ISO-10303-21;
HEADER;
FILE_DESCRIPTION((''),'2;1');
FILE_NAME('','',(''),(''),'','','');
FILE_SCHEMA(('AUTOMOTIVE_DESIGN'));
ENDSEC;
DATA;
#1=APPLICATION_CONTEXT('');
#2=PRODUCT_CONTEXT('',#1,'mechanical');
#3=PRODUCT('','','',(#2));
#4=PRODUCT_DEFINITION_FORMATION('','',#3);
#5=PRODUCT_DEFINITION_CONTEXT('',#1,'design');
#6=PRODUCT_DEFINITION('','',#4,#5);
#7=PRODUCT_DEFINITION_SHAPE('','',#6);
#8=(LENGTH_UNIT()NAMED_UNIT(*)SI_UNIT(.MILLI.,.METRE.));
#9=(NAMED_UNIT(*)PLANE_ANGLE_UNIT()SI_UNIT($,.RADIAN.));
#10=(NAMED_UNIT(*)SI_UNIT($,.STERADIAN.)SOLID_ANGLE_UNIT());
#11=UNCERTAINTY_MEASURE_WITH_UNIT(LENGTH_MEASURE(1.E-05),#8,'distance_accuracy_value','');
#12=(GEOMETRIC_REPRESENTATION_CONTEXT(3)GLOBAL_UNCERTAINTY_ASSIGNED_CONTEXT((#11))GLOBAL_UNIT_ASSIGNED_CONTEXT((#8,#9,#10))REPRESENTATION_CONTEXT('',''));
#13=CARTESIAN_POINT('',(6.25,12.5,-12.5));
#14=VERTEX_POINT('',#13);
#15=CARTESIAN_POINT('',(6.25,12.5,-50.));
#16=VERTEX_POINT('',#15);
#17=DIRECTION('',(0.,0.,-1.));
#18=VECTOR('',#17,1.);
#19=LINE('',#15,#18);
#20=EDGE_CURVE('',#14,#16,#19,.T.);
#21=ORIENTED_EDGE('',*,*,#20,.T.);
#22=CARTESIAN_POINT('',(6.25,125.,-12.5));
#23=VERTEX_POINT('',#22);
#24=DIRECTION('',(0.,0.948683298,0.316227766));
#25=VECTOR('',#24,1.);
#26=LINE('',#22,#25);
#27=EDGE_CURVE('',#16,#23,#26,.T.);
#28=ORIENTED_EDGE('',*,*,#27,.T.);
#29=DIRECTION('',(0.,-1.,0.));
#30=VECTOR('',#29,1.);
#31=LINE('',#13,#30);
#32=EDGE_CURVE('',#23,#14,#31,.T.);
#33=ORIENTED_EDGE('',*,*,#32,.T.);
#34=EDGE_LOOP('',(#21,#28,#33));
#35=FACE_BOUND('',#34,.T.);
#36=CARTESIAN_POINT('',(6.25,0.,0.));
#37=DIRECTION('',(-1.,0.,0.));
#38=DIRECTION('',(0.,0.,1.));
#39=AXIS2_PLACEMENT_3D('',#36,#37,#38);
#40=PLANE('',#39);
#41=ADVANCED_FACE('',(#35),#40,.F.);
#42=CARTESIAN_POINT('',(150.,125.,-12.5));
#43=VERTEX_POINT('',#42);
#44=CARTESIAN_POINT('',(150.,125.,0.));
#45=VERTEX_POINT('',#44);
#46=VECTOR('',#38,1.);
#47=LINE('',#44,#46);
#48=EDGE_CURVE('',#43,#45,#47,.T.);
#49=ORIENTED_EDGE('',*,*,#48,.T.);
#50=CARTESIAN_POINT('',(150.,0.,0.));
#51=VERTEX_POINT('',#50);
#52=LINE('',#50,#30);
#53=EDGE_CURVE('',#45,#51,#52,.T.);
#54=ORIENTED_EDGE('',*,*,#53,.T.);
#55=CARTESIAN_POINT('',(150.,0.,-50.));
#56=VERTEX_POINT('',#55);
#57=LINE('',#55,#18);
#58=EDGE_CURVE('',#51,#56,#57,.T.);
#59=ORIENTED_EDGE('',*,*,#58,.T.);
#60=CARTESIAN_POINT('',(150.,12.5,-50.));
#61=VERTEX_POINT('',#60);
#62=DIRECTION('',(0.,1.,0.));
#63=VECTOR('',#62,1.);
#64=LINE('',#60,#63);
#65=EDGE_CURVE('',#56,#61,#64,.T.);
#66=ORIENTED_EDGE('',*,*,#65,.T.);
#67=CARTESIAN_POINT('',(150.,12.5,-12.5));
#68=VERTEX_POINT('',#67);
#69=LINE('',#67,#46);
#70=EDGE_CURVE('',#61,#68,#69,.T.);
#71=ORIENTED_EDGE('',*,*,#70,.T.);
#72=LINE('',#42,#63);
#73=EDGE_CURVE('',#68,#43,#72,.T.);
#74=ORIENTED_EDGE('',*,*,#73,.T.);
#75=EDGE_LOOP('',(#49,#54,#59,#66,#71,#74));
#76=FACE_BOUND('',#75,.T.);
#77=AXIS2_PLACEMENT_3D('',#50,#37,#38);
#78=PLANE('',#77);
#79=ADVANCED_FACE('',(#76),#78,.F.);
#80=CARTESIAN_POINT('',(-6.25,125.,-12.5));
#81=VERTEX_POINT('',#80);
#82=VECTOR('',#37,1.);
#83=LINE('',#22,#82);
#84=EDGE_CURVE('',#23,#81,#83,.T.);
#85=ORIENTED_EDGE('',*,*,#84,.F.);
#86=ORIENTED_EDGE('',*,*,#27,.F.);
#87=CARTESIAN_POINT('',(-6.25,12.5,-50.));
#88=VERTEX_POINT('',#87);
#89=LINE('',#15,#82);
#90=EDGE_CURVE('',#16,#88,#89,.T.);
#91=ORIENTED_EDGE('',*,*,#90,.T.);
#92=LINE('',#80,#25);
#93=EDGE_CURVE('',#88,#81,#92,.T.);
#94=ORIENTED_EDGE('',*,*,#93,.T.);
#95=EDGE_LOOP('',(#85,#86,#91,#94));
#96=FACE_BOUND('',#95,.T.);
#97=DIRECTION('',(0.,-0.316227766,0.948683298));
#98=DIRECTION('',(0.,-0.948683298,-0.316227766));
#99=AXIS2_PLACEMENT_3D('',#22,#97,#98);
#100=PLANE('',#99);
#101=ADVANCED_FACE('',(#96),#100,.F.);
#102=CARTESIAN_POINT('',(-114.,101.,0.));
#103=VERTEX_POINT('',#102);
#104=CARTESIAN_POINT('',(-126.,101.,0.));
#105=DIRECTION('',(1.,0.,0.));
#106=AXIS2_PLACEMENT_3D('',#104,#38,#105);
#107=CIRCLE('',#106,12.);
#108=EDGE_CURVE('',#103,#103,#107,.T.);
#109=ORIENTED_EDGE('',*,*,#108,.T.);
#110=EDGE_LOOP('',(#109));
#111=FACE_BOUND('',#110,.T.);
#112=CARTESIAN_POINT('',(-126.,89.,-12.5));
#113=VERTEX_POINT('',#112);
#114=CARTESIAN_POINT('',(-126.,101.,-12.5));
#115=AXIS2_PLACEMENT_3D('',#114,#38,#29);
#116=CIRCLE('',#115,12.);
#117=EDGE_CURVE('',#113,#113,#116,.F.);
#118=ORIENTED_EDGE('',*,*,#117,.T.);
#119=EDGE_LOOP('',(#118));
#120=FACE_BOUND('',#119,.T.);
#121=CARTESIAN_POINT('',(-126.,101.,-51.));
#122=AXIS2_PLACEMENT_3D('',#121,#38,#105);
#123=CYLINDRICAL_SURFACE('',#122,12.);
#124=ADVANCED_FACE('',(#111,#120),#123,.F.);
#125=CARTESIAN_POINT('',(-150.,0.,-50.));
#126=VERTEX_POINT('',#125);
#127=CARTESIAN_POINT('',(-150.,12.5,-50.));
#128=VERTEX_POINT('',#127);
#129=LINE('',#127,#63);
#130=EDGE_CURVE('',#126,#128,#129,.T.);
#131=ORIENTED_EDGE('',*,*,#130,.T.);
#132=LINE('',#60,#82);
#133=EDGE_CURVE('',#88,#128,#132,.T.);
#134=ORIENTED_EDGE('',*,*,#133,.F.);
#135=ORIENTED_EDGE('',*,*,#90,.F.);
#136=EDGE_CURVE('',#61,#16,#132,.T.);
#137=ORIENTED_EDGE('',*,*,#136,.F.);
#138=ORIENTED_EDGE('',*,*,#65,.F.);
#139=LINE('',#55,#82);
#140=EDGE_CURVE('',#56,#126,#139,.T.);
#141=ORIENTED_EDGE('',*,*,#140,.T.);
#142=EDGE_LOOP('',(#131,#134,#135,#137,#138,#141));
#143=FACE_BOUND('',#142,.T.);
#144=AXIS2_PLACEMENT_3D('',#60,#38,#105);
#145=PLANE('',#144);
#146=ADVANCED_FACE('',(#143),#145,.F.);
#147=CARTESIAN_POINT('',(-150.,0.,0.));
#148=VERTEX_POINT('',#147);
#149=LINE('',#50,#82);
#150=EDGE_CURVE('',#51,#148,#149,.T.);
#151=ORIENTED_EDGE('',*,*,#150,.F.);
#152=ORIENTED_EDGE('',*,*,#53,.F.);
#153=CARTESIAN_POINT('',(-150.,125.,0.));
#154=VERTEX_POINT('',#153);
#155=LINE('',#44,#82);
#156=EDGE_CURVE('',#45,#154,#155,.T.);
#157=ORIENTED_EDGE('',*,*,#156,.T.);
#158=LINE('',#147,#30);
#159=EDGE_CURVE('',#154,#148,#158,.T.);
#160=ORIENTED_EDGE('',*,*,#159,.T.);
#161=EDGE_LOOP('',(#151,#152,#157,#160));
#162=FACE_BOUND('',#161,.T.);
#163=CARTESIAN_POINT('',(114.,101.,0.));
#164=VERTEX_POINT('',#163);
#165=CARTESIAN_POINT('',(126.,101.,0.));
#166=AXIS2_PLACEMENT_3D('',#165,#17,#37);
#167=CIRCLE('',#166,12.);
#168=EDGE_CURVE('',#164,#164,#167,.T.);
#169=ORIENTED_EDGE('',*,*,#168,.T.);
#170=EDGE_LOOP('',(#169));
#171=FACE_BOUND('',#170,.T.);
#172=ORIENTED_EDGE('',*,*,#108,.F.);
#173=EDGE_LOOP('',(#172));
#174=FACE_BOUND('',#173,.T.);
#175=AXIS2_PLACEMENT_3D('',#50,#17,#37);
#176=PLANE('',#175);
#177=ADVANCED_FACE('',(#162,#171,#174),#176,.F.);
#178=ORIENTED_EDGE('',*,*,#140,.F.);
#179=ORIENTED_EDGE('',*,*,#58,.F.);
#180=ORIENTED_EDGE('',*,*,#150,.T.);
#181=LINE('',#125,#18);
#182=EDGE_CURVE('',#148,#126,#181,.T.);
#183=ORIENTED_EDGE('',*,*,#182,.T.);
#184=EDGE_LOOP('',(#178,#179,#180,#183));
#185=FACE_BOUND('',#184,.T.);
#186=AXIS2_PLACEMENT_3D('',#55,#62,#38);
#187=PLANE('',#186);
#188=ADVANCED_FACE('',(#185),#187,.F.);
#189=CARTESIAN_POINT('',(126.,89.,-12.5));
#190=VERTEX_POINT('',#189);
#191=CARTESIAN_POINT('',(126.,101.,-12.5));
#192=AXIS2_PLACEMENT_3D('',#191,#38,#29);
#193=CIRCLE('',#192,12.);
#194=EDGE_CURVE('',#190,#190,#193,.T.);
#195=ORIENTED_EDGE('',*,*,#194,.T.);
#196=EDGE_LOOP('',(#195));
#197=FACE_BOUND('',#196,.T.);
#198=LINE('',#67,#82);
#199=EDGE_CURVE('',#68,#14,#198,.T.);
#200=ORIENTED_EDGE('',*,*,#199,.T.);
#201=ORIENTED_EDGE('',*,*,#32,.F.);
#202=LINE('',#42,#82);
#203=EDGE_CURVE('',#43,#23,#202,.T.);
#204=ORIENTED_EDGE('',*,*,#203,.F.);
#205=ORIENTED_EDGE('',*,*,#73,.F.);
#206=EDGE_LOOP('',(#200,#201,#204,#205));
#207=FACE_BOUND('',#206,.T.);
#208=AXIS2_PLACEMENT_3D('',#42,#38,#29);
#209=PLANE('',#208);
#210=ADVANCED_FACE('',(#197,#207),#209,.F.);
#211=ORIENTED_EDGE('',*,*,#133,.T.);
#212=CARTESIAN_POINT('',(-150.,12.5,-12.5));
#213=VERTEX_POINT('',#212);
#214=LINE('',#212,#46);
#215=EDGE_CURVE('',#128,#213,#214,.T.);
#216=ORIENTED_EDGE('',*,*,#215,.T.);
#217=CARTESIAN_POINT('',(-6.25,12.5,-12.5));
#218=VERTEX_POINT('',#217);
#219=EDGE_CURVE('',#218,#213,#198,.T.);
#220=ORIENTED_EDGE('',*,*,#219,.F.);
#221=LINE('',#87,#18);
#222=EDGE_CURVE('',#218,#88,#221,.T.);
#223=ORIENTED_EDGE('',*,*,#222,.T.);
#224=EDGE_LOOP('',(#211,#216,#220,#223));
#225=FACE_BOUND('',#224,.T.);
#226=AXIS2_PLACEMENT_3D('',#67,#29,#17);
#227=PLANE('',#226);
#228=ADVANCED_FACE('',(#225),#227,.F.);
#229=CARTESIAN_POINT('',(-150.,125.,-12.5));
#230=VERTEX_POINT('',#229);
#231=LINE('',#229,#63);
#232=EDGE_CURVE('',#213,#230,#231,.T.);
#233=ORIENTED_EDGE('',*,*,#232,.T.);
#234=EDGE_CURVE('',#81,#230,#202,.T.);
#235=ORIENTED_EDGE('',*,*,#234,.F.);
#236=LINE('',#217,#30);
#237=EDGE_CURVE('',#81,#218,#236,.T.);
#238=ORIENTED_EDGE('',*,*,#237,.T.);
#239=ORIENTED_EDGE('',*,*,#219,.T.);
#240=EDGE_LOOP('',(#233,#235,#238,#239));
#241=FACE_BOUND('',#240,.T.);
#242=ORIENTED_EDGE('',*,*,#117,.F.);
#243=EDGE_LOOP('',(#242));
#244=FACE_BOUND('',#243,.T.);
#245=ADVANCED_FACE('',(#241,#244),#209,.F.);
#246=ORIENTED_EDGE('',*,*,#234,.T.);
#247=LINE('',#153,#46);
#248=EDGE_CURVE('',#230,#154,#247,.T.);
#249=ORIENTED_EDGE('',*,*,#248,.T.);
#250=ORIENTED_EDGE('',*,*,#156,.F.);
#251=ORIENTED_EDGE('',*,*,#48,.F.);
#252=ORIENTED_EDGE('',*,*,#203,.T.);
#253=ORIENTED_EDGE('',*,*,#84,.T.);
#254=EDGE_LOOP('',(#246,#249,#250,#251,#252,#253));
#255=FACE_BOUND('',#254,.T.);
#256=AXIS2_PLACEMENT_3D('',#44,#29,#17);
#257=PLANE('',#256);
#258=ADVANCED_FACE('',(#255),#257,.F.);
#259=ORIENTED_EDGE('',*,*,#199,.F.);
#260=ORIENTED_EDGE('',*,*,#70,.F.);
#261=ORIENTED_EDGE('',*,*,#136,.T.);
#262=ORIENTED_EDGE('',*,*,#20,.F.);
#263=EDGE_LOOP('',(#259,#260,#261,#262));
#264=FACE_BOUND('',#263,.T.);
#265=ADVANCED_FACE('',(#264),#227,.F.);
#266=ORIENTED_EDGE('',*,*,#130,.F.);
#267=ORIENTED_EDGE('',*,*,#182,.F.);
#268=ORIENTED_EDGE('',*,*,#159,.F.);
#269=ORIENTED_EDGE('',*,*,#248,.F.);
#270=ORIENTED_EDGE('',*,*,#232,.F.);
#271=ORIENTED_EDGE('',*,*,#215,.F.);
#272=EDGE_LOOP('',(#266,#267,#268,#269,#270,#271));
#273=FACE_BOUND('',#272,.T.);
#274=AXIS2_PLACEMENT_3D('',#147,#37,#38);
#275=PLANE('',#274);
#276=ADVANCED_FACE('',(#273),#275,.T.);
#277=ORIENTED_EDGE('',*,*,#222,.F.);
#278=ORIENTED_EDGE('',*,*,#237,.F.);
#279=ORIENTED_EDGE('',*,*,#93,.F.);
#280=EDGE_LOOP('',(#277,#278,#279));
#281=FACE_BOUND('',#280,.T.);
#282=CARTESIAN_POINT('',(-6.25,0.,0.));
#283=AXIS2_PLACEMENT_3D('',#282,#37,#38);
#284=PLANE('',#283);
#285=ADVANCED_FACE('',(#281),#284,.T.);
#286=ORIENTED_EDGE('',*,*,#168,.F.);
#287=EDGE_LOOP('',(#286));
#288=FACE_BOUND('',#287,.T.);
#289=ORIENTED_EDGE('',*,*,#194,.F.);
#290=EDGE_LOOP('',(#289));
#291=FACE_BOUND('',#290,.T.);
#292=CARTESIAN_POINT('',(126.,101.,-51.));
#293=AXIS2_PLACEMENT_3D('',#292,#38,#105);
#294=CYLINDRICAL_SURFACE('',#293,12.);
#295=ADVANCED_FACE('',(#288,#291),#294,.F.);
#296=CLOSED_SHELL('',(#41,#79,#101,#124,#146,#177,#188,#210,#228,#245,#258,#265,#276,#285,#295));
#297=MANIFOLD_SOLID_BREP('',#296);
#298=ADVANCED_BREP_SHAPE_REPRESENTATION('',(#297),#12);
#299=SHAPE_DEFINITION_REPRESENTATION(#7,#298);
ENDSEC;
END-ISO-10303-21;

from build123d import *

# Parameters (mm, degrees)
BOSS_EXTRUDE2_DEPTH = 0.15
BOSS_EXTRUDE3_DEPTH = 0.00625
CUT_EXTRUDE2_REACH  = 2.202
SKETCH7_R           = 0.012
SCALE1_SCALE        = 1000


with BuildPart() as part:
    # Sketch4 → Boss-Extrude2 (new, symmetric)
    with BuildSketch(Plane(origin=(0, 0, 0), x_dir=(0, 0, -1), z_dir=(1, 0, 0))):
        Polygon((0, 0), (0, 0.125), (0.0125, 0.125), (0.0125, 0.0125), (0.05, 0.0125), (0.05, 0), align=None)
    extrude(amount=BOSS_EXTRUDE2_DEPTH, both=True)

    # Sketch6 → Boss-Extrude3 (add, symmetric)
    with BuildSketch(Plane(origin=(0, 0, 0), x_dir=(0, 0, -1), z_dir=(1, 0, 0))):
        Polygon((0.0125, 0.0125), (0.0125, 0.125), (0.05, 0.0125), align=None)
    extrude(amount=BOSS_EXTRUDE3_DEPTH, both=True)

    # Sketch7 → Cut-Extrude2 (cut, up to next)
    with BuildSketch(Plane.XY, mode=Mode.PRIVATE) as cut_extrude2_sk1:
        with Locations((-0.126, 0.101)):
            Circle(SKETCH7_R)
    cut_extrude2_tool1 = extrude(cut_extrude2_sk1.sketch, amount=-CUT_EXTRUDE2_REACH, mode=Mode.PRIVATE) & part.part
    cut_extrude2 = cut_extrude2_tool1.solids().sort_by_distance((-0.126, 0.101, 0))[0]
    add(cut_extrude2, mode=Mode.SUBTRACT)

    # Mirror1: Cut-Extrude2 across plane
    add(cut_extrude2.mirror(Plane(origin=(0, 0, 0), x_dir=(0, 0, 1), z_dir=(1, 0, 0))), mode=Mode.SUBTRACT)


with BuildPart() as part_1:
    # Scale1: scaled about (0, 0, 0)
    add(part.part.scale(SCALE1_SCALE))


solid = part_1.part
